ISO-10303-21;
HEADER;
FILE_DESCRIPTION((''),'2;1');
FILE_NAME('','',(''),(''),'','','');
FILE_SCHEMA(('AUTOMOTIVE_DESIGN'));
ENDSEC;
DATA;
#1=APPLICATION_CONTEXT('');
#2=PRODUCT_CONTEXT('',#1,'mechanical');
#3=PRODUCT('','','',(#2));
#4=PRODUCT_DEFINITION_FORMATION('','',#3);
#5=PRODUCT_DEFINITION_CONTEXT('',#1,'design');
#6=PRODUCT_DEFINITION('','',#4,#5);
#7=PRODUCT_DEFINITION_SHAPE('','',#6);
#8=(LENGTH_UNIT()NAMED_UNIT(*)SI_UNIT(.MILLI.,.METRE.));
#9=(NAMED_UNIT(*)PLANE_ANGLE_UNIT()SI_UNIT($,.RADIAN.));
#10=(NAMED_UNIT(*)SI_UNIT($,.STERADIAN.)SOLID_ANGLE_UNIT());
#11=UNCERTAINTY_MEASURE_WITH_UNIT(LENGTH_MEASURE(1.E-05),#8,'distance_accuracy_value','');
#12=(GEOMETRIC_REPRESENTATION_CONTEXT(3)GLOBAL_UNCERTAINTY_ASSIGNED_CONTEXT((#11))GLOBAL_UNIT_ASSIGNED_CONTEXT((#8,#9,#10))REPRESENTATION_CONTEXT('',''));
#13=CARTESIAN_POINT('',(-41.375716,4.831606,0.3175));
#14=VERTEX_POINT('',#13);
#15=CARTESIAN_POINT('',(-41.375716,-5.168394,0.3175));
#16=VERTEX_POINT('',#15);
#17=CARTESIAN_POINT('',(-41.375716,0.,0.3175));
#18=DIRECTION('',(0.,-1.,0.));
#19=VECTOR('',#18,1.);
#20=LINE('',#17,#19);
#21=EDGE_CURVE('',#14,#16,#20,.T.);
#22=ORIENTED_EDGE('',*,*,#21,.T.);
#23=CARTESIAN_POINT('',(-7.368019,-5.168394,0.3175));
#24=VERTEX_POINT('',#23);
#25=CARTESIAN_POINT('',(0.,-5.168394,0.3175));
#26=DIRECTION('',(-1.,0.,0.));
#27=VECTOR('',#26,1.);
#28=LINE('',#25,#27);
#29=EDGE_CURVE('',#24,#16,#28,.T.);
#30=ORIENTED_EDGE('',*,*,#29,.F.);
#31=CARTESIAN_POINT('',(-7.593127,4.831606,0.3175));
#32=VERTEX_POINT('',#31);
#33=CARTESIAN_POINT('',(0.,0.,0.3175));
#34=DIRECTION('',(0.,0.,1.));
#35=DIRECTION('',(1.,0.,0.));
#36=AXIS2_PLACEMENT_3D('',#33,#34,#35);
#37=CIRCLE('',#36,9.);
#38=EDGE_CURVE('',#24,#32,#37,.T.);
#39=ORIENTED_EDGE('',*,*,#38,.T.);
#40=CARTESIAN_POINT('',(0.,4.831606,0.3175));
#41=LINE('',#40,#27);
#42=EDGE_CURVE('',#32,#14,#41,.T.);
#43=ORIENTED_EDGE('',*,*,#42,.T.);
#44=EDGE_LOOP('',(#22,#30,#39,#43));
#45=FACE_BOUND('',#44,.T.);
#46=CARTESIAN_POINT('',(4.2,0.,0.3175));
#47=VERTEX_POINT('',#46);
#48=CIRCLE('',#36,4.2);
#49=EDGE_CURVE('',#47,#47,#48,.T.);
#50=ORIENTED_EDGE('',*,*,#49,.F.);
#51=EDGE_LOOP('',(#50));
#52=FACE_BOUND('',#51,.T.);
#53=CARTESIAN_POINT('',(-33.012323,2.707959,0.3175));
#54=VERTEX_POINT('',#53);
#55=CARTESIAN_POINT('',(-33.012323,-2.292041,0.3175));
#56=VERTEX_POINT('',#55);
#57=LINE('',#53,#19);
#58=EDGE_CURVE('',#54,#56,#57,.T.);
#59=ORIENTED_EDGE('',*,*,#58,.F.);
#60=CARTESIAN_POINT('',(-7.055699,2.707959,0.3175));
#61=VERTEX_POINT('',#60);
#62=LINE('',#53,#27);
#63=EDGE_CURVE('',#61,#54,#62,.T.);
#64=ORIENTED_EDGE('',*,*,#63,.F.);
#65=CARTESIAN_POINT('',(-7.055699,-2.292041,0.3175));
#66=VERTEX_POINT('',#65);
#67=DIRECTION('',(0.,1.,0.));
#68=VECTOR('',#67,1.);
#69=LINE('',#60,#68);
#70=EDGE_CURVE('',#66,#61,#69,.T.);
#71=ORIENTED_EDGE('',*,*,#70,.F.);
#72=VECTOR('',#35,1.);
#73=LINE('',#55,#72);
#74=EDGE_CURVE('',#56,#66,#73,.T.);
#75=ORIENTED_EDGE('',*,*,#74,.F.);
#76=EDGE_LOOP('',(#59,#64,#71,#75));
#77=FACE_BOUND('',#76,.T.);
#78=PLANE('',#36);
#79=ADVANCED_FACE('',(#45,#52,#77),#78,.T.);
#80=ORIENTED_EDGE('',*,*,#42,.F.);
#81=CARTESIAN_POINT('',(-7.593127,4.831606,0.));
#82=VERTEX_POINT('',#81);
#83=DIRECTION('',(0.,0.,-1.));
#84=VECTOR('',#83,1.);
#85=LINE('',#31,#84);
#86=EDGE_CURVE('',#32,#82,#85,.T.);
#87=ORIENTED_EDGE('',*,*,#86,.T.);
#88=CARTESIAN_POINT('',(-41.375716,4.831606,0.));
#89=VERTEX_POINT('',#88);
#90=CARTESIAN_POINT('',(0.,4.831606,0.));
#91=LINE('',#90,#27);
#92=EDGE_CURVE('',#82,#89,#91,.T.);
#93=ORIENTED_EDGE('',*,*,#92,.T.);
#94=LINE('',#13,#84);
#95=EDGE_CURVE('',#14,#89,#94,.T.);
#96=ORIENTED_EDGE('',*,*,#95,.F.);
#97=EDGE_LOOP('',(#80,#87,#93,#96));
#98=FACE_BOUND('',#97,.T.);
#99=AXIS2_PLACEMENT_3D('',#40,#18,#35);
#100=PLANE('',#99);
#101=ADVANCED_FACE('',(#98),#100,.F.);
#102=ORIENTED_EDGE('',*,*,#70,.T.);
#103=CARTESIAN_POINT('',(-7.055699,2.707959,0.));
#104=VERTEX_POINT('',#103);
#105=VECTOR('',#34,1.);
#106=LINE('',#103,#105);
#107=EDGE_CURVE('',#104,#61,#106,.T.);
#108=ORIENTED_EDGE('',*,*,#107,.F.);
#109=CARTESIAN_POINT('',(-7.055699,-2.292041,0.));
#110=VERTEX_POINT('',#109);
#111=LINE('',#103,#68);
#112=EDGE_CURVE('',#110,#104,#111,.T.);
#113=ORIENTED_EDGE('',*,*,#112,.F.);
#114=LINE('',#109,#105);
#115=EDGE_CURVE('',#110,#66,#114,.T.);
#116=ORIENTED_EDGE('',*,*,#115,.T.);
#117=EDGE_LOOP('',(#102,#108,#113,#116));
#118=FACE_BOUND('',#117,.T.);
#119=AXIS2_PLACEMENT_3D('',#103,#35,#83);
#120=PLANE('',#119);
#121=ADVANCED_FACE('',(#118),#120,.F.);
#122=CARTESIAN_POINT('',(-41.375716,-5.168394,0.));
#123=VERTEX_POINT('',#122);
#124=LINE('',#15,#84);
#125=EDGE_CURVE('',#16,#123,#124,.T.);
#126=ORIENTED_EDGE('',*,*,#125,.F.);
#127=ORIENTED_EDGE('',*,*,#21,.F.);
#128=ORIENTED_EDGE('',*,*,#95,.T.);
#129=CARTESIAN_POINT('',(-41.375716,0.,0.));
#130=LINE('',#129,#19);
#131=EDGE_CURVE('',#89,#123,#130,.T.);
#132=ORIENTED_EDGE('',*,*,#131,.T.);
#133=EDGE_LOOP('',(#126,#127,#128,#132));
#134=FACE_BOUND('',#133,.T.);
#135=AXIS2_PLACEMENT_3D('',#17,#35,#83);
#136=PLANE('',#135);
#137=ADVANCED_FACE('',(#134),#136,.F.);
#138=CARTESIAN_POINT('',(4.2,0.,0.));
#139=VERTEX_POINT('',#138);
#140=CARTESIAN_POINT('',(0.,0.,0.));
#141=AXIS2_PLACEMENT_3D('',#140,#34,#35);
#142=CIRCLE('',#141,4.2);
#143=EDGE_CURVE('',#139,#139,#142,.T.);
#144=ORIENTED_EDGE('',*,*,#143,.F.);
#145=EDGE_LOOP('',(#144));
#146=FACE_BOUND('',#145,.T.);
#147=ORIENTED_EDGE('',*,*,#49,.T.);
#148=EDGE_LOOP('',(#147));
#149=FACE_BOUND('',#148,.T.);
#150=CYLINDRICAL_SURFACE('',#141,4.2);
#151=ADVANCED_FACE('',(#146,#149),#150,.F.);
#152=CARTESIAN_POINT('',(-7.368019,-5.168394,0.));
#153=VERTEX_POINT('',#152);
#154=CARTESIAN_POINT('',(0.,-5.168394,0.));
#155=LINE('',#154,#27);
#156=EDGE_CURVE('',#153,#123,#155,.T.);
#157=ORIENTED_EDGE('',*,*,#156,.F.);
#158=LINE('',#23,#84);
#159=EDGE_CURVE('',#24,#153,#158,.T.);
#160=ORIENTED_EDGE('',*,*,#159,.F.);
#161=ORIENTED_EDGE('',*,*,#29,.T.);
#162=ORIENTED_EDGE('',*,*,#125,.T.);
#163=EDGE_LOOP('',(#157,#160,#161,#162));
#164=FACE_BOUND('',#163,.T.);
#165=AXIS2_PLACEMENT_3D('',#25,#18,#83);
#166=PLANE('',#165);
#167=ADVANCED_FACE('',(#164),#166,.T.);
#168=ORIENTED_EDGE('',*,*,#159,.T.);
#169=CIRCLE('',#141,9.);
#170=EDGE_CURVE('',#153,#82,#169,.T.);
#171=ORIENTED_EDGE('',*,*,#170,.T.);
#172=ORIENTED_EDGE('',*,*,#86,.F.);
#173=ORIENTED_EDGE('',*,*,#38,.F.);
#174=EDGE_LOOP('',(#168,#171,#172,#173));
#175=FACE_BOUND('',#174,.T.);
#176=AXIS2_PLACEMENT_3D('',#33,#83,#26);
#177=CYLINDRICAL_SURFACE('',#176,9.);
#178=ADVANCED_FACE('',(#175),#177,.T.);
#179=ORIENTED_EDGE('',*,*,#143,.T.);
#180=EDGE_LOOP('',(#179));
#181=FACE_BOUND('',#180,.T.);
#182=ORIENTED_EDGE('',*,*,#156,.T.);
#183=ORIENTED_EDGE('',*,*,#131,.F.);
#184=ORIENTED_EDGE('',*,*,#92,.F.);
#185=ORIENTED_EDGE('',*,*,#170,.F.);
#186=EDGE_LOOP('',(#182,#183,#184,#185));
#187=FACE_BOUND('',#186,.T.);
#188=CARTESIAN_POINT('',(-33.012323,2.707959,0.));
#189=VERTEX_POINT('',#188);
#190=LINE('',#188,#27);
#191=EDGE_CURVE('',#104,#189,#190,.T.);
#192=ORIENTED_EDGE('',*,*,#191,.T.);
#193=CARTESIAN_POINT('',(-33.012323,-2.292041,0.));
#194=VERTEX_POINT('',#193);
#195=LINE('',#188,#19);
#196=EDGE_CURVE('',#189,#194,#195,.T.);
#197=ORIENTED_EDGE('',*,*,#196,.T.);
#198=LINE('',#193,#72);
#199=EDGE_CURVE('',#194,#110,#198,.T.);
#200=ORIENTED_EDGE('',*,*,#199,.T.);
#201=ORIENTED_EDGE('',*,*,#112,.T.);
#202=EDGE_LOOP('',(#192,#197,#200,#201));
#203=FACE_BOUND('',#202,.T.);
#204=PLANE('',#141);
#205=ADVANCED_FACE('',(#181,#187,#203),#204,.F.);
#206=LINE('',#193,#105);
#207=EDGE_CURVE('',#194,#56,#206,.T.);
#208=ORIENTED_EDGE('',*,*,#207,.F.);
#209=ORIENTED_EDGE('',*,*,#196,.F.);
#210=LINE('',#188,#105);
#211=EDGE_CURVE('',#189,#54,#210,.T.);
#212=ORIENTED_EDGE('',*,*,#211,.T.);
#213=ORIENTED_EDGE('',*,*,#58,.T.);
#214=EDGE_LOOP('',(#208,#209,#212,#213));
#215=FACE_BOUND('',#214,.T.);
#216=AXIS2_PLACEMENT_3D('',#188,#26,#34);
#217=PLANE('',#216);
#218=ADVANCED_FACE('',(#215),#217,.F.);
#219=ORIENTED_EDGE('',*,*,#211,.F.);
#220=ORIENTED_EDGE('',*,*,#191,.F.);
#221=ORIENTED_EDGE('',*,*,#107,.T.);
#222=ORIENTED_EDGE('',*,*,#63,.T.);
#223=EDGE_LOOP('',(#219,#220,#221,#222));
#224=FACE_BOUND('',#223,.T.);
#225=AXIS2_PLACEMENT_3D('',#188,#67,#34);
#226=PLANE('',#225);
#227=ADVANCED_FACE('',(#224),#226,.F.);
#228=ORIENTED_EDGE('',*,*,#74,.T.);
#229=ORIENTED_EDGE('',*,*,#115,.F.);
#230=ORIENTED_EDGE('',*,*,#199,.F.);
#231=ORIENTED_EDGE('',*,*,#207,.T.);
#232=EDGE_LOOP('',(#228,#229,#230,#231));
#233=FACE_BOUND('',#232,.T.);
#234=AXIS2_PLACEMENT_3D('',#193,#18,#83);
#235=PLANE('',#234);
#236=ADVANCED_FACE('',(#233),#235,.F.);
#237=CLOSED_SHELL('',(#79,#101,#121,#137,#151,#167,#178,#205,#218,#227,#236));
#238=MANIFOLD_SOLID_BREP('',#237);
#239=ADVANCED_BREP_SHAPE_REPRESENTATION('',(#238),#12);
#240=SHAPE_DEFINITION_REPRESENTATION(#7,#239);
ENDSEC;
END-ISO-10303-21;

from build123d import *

# Parameters (mm, degrees)
BOSS_EXTRUDE2_DEPTH = 0.3175
SKETCH3_R           = 4.2
SKETCH3_W           = 25.956624075
SKETCH3_H           = 5
CUT_EXTRUDE1_DEPTH  = 1.3175


with BuildPart() as part:
    # Sketch2 → Boss-Extrude2 (new body)
    with BuildSketch(Plane.XY):
        with BuildLine():
            Line((-6.375715531, -5.168393782), (-6.375715531, 4.831606218))
            Line((-6.375715531, 4.831606218), (-7.593127245, 4.831606218))
            ThreePointArc((-7.593127245, 4.831606218), (-8.997720551, -0.202546003), (-7.368019117, -5.168393782))
            Line((-7.368019117, -5.168393782), (-6.375715531, -5.168393782))
        make_face()
        with BuildLine():
            Line((-7.593127245, 4.831606218), (-6.375715531, 4.831606218))
            Line((-6.375715531, 4.831606218), (-6.375715531, -5.168393782))
            Line((-6.375715531, -5.168393782), (-7.368019117, -5.168393782))
            ThreePointArc((-7.368019117, -5.168393782), (2.709965677, -8.582312394), (9, 0))
            ThreePointArc((9, 0), (2.516133422, 8.641126813), (-7.593127245, 4.831606218))
        make_face()
        with BuildLine():
            ThreePointArc((-7.368019117, -5.168393782), (-8.997720551, -0.202546003), (-7.593127245, 4.831606218))
            Line((-7.593127245, 4.831606218), (-41.375715531, 4.831606218))
            Line((-41.375715531, 4.831606218), (-41.375715531, -5.168393782))
            Line((-41.375715531, -5.168393782), (-7.368019117, -5.168393782))
        make_face()
    extrude(amount=BOSS_EXTRUDE2_DEPTH)

    # Sketch3 → Cut-Extrude1 (cut, through all)
    with BuildSketch(Plane.XY.offset(0.3175)):
        Circle(SKETCH3_R)
        with Locations((-20.034010662, 0.207958654)):
            Rectangle(SKETCH3_W, SKETCH3_H)
    extrude(amount=-CUT_EXTRUDE1_DEPTH, mode=Mode.SUBTRACT)


solid = part.part
